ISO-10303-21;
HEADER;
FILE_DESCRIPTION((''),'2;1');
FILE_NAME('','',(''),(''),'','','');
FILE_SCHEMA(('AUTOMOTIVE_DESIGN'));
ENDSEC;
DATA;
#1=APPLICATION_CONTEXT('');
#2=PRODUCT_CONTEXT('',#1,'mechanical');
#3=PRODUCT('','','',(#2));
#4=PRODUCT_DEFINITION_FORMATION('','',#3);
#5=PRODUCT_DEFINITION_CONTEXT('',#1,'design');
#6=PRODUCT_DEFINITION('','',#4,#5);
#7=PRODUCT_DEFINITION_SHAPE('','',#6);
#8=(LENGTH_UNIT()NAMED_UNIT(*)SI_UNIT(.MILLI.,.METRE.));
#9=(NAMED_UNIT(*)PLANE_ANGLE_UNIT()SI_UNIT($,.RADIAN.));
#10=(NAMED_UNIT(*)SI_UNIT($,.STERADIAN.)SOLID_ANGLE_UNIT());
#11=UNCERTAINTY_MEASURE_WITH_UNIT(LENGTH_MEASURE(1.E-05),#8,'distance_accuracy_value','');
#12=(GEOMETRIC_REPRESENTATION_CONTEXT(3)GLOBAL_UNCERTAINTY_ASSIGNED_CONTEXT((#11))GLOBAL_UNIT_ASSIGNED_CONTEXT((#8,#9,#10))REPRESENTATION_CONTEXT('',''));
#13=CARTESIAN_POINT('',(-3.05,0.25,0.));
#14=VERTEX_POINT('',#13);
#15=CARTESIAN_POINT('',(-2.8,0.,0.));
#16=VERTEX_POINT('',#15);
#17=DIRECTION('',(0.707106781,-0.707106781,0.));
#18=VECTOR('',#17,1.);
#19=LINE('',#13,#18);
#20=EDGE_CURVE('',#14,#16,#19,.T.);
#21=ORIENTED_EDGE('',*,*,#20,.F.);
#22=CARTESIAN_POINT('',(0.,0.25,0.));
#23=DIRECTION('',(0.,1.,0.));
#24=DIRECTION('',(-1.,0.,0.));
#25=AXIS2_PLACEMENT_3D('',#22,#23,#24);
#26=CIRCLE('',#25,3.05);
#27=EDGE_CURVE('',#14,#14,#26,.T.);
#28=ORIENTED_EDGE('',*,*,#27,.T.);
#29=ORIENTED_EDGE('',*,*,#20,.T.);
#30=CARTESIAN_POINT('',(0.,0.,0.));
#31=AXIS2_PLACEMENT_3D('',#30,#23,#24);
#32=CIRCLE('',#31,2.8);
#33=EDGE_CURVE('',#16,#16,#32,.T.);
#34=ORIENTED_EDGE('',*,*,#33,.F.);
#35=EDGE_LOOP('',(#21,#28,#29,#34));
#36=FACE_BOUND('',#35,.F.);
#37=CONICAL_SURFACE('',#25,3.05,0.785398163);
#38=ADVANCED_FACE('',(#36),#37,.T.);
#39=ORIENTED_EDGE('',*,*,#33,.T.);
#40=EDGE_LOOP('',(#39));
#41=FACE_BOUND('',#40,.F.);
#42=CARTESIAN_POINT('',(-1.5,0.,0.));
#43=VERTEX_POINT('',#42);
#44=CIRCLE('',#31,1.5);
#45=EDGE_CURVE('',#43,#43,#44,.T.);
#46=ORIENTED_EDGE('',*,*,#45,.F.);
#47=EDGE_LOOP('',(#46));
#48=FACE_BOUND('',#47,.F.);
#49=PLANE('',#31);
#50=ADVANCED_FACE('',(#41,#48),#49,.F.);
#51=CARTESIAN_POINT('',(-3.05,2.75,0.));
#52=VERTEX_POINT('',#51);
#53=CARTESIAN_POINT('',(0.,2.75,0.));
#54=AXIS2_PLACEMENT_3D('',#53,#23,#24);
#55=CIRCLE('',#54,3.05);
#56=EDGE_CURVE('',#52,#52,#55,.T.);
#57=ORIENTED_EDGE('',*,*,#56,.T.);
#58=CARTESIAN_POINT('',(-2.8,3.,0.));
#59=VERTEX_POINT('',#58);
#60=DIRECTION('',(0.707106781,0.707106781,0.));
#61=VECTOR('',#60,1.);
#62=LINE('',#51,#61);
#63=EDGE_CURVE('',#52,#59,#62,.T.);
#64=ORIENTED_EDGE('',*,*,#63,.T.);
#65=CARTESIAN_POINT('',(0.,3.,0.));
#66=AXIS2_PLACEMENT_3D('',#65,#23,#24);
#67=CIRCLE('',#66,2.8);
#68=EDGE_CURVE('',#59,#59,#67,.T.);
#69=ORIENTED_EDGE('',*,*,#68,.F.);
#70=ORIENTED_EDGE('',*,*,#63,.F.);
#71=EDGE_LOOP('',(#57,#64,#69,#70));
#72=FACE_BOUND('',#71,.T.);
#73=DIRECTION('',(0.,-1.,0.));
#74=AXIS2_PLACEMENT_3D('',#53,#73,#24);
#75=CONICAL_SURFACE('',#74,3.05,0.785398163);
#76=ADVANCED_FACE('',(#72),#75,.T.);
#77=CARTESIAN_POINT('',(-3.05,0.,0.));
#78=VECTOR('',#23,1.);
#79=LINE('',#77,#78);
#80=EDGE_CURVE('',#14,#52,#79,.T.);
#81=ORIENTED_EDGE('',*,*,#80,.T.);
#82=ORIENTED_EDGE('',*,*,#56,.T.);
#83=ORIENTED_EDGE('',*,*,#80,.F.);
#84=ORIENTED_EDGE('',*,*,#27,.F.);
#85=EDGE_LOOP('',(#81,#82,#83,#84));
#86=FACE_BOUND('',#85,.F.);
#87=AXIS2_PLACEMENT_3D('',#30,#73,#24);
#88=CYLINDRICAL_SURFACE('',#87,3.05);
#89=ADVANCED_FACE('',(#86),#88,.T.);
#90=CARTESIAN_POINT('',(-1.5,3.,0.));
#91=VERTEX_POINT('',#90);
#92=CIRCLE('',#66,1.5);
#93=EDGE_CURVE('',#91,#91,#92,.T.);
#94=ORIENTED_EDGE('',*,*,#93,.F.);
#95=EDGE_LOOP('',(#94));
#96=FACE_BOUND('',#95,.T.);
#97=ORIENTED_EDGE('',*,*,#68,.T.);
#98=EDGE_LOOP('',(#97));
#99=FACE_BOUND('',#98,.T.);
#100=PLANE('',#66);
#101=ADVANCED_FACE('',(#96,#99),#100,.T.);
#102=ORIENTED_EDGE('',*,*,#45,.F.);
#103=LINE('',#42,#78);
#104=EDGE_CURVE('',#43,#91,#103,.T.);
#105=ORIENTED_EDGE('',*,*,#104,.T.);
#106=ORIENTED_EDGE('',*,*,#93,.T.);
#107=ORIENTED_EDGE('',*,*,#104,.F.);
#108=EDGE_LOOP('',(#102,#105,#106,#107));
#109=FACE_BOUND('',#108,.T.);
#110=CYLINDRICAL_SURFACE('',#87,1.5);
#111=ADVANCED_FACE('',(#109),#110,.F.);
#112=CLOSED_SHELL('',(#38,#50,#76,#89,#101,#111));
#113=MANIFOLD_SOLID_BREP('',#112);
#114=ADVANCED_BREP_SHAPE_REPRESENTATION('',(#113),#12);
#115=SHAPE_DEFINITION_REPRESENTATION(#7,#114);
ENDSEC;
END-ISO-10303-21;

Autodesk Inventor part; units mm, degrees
ref_plane "YZ Plane" through (0, 0, 0) normal (1, 0, 0) x (0, 1, 0)
ref_plane "XZ Plane" through (0, 0, 0) normal (0, 1, 0) x (-1, 0, 0)
ref_plane "XY Plane" through (0, 0, 0) normal (0, 0, 1) x (1, 0, 0)
sketch "Sketch1" plane through (0, 0, 0) normal (0, 1, 0) x (-1, 0, 0)
  circle A0 centre (0, 0) radius 1.5
  circle A1 centre (0, 0) radius 3.05
  dimension "d0" = 3
  dimension "d1" = 6.1
extrude "Extrusion1" add sketch "Sketch1" along normal blind 3
chamfer "Chamfer1" distance 0.25 angle 45 2 edges at (3.05, 3, 0) (3.05, 0, 0)
properties part number "ma_6.1_3_3"
